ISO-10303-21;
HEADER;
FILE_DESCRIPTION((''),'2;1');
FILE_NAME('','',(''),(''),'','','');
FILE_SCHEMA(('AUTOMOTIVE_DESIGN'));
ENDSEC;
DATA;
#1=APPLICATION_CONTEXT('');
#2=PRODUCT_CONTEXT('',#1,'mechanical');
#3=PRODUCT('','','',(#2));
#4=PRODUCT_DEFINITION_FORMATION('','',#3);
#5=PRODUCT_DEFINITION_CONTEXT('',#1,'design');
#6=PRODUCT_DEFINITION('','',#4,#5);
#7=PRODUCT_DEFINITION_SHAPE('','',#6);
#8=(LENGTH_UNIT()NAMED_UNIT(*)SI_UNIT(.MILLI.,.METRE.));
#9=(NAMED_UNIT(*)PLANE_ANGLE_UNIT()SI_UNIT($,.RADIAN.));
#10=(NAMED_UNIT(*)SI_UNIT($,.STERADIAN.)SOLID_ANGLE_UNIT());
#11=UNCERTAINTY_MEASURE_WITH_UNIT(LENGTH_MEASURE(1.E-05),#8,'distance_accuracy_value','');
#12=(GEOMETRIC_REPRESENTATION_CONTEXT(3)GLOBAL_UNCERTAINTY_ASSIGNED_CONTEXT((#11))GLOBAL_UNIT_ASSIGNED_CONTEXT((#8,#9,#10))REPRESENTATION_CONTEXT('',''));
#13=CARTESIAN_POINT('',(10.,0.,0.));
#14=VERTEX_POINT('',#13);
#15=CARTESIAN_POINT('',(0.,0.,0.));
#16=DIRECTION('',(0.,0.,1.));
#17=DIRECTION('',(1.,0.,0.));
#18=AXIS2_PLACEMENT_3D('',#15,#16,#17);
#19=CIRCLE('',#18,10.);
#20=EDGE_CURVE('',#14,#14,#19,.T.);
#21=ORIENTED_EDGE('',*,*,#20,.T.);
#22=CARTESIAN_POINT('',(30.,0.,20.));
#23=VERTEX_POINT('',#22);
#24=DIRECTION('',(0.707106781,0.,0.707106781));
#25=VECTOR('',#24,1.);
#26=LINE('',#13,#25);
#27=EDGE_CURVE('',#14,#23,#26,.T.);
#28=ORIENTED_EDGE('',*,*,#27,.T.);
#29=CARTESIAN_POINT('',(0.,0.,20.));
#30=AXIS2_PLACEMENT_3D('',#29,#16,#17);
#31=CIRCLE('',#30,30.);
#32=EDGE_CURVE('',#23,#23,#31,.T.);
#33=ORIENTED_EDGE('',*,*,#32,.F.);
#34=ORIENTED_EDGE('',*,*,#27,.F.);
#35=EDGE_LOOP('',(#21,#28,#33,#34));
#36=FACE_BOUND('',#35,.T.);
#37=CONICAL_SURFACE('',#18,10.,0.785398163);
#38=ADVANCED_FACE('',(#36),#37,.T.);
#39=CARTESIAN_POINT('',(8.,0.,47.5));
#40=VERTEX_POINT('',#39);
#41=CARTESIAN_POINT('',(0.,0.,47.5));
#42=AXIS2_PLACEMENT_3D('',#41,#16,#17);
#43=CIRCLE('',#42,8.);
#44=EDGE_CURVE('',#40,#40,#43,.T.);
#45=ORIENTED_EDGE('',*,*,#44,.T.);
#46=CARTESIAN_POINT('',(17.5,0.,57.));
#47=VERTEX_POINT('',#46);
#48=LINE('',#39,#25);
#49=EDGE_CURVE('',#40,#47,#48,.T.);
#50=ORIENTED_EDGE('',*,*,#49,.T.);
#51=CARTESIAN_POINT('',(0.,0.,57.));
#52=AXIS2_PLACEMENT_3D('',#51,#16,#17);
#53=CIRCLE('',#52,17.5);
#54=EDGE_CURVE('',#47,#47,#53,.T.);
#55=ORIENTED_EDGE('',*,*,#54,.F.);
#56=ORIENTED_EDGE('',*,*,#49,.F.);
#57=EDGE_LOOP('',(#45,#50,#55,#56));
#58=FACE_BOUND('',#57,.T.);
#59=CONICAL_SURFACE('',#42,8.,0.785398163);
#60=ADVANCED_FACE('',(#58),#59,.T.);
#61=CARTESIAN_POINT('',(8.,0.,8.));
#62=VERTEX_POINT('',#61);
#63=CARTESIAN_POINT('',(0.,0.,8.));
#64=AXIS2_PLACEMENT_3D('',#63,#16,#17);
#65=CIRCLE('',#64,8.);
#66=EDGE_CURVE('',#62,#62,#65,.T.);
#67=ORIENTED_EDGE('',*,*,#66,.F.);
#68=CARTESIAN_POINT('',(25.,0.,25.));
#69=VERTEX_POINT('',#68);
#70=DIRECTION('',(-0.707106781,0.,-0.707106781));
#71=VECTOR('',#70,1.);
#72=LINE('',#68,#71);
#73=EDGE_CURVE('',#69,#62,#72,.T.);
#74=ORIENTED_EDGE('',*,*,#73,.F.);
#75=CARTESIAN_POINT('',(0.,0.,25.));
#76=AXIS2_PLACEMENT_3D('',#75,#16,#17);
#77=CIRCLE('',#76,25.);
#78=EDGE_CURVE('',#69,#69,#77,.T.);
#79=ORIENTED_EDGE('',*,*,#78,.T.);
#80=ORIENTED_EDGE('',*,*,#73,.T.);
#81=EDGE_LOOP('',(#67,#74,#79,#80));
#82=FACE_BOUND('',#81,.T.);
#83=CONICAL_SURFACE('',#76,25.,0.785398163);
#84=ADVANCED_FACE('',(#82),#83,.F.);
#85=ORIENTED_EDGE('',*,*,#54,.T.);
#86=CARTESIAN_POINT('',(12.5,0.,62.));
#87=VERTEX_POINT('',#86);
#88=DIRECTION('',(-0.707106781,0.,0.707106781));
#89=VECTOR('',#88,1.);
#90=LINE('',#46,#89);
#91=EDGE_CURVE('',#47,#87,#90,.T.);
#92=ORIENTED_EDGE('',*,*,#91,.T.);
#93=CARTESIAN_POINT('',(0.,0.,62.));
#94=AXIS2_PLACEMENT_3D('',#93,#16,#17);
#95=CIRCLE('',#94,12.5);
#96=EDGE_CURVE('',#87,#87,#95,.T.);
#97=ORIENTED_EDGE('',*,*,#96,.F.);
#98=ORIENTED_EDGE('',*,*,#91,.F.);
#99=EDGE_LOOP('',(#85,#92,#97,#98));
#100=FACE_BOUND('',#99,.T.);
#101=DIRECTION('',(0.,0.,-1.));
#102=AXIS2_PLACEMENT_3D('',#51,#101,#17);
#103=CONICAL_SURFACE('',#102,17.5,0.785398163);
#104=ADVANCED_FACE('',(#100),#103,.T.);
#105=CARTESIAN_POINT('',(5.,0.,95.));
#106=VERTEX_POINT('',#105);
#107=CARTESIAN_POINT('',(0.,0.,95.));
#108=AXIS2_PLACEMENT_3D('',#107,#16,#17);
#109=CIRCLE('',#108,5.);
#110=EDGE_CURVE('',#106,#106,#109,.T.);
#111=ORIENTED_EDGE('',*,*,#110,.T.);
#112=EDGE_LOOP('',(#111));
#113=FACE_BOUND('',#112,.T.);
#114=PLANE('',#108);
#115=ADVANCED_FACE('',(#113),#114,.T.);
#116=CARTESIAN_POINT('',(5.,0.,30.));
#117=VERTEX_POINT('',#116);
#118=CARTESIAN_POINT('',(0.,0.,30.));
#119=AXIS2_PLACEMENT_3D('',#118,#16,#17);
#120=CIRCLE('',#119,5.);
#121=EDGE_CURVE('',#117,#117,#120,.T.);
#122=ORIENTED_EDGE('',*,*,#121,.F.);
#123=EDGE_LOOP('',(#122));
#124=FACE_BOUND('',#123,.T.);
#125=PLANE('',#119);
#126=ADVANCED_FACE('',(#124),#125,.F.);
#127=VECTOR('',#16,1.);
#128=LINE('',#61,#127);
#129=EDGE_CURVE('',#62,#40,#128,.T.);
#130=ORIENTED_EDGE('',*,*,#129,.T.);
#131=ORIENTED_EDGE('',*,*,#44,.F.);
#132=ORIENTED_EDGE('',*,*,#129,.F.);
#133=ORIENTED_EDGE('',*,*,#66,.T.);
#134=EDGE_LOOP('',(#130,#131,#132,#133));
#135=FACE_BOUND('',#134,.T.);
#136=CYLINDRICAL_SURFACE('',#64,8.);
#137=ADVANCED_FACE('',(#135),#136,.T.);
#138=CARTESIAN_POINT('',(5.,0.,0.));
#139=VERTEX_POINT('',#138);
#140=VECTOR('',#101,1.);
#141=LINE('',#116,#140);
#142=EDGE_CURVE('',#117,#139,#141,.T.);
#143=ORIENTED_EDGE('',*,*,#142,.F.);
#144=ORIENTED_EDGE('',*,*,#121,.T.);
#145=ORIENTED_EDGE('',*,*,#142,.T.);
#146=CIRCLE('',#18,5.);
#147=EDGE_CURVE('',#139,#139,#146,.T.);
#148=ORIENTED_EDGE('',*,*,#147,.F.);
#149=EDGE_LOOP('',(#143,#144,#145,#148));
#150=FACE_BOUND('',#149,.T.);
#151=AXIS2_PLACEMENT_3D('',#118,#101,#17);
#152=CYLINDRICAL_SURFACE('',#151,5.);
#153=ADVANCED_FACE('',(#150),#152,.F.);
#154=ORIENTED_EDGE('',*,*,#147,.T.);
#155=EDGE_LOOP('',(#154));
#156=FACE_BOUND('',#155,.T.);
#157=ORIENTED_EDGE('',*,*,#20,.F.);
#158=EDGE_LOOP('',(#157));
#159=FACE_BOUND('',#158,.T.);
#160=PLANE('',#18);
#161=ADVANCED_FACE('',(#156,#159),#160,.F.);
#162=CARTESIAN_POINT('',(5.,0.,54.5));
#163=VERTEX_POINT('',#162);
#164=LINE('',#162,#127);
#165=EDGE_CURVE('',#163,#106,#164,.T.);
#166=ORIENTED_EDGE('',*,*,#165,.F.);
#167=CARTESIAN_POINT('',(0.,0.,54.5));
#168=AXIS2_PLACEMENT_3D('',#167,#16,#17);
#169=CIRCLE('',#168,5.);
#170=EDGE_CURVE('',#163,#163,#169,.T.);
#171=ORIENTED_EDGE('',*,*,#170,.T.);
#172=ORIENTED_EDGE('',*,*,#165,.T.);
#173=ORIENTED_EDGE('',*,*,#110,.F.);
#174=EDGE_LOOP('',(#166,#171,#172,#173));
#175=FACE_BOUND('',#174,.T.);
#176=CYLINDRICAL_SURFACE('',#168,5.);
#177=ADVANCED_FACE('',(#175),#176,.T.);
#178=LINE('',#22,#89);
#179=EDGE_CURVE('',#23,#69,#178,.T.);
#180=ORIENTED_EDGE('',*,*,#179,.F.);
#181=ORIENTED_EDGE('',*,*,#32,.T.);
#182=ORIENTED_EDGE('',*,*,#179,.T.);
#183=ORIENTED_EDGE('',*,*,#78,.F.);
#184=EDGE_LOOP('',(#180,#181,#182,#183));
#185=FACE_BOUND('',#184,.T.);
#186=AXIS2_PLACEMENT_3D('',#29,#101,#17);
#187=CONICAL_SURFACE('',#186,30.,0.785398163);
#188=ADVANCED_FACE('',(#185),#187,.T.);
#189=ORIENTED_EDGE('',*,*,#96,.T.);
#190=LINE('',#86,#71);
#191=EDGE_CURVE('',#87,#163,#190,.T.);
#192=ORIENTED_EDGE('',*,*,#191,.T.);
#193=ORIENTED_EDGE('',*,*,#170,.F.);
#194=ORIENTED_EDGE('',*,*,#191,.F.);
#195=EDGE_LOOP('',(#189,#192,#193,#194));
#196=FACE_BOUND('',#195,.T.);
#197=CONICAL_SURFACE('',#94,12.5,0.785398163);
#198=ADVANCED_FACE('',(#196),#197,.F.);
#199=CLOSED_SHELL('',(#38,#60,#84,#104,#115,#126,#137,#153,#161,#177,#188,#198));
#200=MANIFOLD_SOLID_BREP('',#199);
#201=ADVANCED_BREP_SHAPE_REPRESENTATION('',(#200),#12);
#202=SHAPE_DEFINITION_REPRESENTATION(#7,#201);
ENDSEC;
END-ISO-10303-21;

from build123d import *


with BuildPart() as part:
    # Sketch → Revolution (revolve)
    with BuildSketch(Plane.XZ):
        Polygon((0, 30), (5, 30), (5, 0), (10, 0), (30, 20), (25, 25), (8, 8), (8, 47.5), (17.5, 57), (12.5, 62), (5, 54.5), (5, 95), (0, 95), align=None)
    revolve(axis=Axis((0, 0, 0), (0, 0, 1)))


solid = part.part
